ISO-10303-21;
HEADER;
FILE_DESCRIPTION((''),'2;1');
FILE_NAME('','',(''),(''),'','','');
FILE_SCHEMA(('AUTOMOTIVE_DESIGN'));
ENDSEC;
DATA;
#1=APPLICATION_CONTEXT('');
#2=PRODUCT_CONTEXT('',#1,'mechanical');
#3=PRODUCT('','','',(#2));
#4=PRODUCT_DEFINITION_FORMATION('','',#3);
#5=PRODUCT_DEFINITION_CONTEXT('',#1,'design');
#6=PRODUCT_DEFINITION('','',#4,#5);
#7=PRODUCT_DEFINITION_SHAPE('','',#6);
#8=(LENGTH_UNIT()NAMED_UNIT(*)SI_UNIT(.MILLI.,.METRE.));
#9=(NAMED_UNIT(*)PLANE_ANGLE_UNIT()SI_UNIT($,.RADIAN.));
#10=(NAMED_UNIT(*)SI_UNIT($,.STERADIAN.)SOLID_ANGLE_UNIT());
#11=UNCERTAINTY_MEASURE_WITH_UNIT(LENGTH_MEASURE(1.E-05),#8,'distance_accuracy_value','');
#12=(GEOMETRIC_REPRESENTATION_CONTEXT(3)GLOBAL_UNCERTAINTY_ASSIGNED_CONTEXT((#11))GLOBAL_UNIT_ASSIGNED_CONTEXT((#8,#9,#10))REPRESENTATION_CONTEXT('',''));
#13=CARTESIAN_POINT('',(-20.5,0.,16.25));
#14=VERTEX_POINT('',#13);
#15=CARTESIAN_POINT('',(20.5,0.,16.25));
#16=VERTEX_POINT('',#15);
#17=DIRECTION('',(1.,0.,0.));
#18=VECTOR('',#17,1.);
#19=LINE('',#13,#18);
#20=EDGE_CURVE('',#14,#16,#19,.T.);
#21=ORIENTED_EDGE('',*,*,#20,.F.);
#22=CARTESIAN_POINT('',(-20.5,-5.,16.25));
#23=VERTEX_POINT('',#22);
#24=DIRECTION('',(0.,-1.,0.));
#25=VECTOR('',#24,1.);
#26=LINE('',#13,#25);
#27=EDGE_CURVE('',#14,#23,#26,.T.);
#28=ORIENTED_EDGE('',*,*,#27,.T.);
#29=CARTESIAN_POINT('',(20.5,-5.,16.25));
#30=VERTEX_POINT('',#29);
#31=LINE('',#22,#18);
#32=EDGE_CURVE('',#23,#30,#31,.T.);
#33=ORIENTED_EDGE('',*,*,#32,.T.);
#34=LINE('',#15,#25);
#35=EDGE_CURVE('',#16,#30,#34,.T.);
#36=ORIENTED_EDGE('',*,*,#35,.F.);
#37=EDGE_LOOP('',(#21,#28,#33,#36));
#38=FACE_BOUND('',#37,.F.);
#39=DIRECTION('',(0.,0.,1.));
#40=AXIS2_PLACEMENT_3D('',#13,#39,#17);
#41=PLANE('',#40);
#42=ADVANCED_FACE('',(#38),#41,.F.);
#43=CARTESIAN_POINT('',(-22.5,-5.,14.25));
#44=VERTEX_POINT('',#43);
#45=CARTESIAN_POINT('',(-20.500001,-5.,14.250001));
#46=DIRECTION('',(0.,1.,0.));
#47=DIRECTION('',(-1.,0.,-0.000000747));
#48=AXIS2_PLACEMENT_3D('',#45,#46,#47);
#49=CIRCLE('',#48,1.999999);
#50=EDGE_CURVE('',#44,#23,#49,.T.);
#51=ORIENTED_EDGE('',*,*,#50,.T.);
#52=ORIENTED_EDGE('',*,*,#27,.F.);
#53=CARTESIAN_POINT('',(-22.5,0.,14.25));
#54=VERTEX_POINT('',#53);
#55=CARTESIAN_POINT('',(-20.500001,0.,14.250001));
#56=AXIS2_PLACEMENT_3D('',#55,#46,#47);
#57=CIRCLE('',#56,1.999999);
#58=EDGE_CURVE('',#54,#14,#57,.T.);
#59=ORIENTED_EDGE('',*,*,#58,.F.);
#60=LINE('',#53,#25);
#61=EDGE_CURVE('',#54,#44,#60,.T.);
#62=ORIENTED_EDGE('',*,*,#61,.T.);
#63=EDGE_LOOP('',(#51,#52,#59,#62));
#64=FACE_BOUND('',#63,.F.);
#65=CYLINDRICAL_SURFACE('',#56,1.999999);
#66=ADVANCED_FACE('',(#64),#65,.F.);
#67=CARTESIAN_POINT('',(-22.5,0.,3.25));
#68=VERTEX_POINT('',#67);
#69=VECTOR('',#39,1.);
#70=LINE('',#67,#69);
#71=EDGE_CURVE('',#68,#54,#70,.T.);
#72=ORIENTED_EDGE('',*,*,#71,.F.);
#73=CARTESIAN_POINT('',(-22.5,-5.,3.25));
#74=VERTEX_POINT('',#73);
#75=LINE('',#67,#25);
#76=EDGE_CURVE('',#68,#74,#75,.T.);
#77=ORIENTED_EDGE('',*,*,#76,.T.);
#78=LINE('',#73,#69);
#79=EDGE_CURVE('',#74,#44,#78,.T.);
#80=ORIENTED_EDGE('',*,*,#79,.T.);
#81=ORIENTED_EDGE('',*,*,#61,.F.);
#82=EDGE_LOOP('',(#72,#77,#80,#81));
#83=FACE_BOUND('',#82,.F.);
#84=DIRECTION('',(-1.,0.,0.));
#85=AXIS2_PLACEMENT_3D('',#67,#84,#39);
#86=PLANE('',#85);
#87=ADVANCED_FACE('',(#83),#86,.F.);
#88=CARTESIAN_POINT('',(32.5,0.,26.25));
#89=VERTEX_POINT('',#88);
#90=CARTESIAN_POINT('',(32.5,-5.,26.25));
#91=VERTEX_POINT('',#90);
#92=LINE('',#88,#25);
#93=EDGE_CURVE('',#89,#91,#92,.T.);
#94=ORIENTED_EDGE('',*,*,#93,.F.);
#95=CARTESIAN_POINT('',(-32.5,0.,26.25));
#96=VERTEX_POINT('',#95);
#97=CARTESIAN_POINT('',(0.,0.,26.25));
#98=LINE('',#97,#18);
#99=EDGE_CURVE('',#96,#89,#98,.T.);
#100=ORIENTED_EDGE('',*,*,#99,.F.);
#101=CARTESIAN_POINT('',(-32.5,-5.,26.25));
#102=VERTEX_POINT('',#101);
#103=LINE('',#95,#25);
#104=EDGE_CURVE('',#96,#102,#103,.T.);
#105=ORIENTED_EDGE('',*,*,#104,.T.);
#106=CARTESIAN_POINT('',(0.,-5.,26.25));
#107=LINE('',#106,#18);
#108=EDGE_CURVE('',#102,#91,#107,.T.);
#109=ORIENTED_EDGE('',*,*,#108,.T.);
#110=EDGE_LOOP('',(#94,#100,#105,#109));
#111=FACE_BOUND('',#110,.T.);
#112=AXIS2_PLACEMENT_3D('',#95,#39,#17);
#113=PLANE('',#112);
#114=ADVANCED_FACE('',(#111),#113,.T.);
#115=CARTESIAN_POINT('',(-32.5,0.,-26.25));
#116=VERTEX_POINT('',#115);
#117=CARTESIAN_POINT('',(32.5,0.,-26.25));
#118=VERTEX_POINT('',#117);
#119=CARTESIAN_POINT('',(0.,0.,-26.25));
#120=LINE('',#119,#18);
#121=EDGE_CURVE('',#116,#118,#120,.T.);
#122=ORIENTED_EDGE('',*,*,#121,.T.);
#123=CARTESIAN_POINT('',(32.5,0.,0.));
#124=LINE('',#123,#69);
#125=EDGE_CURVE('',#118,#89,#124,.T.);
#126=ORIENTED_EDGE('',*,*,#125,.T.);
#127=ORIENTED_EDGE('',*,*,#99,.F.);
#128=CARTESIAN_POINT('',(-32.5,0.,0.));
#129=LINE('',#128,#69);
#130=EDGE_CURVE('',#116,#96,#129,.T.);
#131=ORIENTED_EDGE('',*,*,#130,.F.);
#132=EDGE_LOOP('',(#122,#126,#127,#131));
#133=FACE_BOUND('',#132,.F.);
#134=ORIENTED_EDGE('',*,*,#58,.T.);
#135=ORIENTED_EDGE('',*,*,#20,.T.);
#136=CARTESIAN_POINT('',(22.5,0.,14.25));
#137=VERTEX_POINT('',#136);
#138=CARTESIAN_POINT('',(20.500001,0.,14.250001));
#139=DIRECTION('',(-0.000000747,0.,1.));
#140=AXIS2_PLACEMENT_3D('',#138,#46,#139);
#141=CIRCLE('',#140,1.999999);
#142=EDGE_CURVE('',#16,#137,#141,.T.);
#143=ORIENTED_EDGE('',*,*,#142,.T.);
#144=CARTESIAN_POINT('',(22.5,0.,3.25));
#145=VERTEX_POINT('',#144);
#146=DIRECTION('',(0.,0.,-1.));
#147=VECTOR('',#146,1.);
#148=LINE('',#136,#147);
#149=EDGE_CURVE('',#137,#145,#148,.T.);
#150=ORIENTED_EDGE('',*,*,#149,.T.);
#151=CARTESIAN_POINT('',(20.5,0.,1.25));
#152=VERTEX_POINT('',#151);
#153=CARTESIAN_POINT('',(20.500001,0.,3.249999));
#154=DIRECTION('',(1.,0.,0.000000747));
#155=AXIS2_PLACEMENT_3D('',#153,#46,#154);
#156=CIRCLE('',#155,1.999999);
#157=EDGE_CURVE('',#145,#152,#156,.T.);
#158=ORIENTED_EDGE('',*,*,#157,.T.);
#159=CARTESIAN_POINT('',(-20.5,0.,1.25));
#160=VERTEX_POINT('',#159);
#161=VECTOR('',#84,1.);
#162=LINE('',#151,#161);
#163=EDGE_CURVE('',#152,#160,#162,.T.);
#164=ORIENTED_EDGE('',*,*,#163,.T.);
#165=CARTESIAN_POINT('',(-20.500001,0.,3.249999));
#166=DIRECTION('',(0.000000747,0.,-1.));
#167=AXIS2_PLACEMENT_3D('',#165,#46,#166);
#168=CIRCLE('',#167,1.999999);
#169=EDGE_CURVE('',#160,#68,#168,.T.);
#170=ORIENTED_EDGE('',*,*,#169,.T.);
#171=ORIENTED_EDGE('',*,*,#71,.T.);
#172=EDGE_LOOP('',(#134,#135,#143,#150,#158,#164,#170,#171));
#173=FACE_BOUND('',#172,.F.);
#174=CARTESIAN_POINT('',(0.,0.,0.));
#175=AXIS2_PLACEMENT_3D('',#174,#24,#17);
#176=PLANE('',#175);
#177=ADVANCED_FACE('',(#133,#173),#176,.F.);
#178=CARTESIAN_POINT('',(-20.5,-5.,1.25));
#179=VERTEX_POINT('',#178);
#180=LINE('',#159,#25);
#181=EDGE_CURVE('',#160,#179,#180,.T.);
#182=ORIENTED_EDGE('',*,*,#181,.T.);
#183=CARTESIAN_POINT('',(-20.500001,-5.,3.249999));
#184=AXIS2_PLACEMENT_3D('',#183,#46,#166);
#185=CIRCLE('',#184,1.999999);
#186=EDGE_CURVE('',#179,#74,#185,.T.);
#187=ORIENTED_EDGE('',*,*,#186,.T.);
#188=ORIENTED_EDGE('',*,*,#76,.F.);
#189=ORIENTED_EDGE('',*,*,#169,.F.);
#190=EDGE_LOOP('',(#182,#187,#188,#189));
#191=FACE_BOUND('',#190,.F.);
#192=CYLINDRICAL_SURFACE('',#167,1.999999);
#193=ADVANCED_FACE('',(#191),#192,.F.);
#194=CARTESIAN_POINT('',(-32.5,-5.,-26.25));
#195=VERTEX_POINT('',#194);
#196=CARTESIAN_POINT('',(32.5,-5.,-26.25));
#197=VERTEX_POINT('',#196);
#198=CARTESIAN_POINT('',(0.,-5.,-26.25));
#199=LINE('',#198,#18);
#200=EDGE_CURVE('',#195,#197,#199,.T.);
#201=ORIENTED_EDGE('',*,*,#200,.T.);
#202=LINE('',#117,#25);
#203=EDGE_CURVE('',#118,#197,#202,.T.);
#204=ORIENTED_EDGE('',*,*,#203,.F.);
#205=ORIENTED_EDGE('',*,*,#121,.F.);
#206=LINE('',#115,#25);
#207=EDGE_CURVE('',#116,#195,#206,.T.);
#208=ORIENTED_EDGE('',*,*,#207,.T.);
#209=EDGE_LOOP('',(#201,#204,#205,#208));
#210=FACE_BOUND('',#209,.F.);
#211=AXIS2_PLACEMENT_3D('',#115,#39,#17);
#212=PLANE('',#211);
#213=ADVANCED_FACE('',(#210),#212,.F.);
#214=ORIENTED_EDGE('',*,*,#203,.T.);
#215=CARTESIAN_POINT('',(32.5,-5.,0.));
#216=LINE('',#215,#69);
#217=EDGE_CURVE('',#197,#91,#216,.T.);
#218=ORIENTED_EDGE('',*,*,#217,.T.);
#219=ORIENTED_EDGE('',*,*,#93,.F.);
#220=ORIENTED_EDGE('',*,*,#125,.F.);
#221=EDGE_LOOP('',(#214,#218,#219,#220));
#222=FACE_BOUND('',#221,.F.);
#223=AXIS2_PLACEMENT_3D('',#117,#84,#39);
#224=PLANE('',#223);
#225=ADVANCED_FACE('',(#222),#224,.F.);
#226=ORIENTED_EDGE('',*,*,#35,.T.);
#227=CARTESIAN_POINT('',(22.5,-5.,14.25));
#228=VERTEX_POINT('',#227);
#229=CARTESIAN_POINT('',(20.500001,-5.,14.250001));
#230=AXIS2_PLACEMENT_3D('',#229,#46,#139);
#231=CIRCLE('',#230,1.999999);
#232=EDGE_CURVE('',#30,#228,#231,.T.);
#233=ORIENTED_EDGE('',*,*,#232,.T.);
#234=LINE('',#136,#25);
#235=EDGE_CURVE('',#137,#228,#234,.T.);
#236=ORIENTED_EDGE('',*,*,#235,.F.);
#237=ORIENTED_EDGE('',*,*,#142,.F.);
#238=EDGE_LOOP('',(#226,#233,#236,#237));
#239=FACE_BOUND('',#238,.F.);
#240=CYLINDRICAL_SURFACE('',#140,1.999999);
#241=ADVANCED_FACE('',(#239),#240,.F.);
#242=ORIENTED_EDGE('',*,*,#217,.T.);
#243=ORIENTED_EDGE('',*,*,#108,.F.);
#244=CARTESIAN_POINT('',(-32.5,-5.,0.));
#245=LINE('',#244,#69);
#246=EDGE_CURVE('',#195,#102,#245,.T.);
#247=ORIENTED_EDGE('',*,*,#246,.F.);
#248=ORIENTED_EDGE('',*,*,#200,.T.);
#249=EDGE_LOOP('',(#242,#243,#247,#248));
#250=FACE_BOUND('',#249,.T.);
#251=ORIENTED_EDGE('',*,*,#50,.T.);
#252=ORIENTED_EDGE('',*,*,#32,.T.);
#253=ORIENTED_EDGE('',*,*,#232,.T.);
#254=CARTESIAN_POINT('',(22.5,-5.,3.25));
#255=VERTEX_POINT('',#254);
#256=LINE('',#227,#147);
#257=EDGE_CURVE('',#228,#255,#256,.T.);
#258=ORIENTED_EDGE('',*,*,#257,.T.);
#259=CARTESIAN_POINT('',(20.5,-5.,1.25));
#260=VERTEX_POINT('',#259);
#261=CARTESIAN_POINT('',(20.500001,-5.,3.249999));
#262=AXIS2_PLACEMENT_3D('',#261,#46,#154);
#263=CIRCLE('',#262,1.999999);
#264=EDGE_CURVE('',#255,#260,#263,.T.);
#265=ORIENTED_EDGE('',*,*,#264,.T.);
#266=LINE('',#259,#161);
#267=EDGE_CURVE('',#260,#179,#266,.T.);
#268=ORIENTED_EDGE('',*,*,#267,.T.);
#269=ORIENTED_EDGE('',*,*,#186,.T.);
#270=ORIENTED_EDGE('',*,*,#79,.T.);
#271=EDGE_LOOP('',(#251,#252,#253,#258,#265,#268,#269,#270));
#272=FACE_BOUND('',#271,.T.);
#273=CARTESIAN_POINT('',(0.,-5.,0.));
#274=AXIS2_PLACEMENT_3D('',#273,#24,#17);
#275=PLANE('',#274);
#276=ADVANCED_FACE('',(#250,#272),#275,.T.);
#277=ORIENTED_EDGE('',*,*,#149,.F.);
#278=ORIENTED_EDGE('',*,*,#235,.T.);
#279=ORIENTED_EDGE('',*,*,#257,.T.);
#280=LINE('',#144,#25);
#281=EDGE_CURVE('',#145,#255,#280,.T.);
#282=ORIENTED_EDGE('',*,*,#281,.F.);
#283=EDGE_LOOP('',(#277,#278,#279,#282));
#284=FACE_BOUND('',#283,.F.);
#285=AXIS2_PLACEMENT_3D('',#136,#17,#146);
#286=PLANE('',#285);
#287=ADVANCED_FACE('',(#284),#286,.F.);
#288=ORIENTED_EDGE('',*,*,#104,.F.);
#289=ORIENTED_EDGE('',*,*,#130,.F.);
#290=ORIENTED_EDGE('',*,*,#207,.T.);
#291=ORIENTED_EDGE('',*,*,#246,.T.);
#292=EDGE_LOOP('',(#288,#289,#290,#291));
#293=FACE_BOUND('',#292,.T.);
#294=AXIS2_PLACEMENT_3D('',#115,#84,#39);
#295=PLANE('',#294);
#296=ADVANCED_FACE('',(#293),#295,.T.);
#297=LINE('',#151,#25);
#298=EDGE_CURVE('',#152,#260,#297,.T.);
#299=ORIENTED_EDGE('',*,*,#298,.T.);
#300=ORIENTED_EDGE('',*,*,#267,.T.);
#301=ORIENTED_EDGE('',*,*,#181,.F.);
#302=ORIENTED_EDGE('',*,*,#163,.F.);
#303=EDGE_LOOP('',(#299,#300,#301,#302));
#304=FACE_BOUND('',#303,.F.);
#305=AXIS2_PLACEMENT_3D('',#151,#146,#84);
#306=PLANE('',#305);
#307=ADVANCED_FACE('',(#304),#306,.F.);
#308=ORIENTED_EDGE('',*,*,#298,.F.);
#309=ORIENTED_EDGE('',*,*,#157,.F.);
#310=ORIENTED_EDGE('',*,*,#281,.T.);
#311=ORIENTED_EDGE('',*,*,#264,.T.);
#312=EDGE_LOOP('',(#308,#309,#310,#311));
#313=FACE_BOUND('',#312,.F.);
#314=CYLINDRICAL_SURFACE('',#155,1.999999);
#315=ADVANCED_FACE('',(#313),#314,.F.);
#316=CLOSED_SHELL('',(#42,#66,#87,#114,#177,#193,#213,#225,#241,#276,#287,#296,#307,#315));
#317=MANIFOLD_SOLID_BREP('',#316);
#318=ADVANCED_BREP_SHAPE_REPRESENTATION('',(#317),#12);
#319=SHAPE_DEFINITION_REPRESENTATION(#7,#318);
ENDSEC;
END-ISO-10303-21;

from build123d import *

# Parameters (mm, degrees)
F0_W     = 65
F0_H     = 52.5
F1_DEPTH = 5


with BuildPart() as f1:
    # F0 (on Front) → F1 (new body)
    with BuildSketch(Plane.XZ):
        Rectangle(F0_W, F0_H)
        with BuildLine():
            ThreePointArc((-22.5, 14.25), (-21.914214, 15.664214), (-20.5, 16.25))
            Line((-20.5, 16.25), (20.5, 16.25))
            ThreePointArc((20.5, 16.25), (21.914214, 15.664214), (22.5, 14.25))
            Line((22.5, 14.25), (22.5, 3.25))
            ThreePointArc((22.5, 3.25), (21.914214, 1.835786), (20.5, 1.25))
            Line((20.5, 1.25), (-20.5, 1.25))
            ThreePointArc((-20.5, 1.25), (-21.914214, 1.835786), (-22.5, 3.25))
            Line((-22.5, 3.25), (-22.5, 14.25))
        make_face(mode=Mode.SUBTRACT)
    extrude(amount=F1_DEPTH)


solid = f1.part
